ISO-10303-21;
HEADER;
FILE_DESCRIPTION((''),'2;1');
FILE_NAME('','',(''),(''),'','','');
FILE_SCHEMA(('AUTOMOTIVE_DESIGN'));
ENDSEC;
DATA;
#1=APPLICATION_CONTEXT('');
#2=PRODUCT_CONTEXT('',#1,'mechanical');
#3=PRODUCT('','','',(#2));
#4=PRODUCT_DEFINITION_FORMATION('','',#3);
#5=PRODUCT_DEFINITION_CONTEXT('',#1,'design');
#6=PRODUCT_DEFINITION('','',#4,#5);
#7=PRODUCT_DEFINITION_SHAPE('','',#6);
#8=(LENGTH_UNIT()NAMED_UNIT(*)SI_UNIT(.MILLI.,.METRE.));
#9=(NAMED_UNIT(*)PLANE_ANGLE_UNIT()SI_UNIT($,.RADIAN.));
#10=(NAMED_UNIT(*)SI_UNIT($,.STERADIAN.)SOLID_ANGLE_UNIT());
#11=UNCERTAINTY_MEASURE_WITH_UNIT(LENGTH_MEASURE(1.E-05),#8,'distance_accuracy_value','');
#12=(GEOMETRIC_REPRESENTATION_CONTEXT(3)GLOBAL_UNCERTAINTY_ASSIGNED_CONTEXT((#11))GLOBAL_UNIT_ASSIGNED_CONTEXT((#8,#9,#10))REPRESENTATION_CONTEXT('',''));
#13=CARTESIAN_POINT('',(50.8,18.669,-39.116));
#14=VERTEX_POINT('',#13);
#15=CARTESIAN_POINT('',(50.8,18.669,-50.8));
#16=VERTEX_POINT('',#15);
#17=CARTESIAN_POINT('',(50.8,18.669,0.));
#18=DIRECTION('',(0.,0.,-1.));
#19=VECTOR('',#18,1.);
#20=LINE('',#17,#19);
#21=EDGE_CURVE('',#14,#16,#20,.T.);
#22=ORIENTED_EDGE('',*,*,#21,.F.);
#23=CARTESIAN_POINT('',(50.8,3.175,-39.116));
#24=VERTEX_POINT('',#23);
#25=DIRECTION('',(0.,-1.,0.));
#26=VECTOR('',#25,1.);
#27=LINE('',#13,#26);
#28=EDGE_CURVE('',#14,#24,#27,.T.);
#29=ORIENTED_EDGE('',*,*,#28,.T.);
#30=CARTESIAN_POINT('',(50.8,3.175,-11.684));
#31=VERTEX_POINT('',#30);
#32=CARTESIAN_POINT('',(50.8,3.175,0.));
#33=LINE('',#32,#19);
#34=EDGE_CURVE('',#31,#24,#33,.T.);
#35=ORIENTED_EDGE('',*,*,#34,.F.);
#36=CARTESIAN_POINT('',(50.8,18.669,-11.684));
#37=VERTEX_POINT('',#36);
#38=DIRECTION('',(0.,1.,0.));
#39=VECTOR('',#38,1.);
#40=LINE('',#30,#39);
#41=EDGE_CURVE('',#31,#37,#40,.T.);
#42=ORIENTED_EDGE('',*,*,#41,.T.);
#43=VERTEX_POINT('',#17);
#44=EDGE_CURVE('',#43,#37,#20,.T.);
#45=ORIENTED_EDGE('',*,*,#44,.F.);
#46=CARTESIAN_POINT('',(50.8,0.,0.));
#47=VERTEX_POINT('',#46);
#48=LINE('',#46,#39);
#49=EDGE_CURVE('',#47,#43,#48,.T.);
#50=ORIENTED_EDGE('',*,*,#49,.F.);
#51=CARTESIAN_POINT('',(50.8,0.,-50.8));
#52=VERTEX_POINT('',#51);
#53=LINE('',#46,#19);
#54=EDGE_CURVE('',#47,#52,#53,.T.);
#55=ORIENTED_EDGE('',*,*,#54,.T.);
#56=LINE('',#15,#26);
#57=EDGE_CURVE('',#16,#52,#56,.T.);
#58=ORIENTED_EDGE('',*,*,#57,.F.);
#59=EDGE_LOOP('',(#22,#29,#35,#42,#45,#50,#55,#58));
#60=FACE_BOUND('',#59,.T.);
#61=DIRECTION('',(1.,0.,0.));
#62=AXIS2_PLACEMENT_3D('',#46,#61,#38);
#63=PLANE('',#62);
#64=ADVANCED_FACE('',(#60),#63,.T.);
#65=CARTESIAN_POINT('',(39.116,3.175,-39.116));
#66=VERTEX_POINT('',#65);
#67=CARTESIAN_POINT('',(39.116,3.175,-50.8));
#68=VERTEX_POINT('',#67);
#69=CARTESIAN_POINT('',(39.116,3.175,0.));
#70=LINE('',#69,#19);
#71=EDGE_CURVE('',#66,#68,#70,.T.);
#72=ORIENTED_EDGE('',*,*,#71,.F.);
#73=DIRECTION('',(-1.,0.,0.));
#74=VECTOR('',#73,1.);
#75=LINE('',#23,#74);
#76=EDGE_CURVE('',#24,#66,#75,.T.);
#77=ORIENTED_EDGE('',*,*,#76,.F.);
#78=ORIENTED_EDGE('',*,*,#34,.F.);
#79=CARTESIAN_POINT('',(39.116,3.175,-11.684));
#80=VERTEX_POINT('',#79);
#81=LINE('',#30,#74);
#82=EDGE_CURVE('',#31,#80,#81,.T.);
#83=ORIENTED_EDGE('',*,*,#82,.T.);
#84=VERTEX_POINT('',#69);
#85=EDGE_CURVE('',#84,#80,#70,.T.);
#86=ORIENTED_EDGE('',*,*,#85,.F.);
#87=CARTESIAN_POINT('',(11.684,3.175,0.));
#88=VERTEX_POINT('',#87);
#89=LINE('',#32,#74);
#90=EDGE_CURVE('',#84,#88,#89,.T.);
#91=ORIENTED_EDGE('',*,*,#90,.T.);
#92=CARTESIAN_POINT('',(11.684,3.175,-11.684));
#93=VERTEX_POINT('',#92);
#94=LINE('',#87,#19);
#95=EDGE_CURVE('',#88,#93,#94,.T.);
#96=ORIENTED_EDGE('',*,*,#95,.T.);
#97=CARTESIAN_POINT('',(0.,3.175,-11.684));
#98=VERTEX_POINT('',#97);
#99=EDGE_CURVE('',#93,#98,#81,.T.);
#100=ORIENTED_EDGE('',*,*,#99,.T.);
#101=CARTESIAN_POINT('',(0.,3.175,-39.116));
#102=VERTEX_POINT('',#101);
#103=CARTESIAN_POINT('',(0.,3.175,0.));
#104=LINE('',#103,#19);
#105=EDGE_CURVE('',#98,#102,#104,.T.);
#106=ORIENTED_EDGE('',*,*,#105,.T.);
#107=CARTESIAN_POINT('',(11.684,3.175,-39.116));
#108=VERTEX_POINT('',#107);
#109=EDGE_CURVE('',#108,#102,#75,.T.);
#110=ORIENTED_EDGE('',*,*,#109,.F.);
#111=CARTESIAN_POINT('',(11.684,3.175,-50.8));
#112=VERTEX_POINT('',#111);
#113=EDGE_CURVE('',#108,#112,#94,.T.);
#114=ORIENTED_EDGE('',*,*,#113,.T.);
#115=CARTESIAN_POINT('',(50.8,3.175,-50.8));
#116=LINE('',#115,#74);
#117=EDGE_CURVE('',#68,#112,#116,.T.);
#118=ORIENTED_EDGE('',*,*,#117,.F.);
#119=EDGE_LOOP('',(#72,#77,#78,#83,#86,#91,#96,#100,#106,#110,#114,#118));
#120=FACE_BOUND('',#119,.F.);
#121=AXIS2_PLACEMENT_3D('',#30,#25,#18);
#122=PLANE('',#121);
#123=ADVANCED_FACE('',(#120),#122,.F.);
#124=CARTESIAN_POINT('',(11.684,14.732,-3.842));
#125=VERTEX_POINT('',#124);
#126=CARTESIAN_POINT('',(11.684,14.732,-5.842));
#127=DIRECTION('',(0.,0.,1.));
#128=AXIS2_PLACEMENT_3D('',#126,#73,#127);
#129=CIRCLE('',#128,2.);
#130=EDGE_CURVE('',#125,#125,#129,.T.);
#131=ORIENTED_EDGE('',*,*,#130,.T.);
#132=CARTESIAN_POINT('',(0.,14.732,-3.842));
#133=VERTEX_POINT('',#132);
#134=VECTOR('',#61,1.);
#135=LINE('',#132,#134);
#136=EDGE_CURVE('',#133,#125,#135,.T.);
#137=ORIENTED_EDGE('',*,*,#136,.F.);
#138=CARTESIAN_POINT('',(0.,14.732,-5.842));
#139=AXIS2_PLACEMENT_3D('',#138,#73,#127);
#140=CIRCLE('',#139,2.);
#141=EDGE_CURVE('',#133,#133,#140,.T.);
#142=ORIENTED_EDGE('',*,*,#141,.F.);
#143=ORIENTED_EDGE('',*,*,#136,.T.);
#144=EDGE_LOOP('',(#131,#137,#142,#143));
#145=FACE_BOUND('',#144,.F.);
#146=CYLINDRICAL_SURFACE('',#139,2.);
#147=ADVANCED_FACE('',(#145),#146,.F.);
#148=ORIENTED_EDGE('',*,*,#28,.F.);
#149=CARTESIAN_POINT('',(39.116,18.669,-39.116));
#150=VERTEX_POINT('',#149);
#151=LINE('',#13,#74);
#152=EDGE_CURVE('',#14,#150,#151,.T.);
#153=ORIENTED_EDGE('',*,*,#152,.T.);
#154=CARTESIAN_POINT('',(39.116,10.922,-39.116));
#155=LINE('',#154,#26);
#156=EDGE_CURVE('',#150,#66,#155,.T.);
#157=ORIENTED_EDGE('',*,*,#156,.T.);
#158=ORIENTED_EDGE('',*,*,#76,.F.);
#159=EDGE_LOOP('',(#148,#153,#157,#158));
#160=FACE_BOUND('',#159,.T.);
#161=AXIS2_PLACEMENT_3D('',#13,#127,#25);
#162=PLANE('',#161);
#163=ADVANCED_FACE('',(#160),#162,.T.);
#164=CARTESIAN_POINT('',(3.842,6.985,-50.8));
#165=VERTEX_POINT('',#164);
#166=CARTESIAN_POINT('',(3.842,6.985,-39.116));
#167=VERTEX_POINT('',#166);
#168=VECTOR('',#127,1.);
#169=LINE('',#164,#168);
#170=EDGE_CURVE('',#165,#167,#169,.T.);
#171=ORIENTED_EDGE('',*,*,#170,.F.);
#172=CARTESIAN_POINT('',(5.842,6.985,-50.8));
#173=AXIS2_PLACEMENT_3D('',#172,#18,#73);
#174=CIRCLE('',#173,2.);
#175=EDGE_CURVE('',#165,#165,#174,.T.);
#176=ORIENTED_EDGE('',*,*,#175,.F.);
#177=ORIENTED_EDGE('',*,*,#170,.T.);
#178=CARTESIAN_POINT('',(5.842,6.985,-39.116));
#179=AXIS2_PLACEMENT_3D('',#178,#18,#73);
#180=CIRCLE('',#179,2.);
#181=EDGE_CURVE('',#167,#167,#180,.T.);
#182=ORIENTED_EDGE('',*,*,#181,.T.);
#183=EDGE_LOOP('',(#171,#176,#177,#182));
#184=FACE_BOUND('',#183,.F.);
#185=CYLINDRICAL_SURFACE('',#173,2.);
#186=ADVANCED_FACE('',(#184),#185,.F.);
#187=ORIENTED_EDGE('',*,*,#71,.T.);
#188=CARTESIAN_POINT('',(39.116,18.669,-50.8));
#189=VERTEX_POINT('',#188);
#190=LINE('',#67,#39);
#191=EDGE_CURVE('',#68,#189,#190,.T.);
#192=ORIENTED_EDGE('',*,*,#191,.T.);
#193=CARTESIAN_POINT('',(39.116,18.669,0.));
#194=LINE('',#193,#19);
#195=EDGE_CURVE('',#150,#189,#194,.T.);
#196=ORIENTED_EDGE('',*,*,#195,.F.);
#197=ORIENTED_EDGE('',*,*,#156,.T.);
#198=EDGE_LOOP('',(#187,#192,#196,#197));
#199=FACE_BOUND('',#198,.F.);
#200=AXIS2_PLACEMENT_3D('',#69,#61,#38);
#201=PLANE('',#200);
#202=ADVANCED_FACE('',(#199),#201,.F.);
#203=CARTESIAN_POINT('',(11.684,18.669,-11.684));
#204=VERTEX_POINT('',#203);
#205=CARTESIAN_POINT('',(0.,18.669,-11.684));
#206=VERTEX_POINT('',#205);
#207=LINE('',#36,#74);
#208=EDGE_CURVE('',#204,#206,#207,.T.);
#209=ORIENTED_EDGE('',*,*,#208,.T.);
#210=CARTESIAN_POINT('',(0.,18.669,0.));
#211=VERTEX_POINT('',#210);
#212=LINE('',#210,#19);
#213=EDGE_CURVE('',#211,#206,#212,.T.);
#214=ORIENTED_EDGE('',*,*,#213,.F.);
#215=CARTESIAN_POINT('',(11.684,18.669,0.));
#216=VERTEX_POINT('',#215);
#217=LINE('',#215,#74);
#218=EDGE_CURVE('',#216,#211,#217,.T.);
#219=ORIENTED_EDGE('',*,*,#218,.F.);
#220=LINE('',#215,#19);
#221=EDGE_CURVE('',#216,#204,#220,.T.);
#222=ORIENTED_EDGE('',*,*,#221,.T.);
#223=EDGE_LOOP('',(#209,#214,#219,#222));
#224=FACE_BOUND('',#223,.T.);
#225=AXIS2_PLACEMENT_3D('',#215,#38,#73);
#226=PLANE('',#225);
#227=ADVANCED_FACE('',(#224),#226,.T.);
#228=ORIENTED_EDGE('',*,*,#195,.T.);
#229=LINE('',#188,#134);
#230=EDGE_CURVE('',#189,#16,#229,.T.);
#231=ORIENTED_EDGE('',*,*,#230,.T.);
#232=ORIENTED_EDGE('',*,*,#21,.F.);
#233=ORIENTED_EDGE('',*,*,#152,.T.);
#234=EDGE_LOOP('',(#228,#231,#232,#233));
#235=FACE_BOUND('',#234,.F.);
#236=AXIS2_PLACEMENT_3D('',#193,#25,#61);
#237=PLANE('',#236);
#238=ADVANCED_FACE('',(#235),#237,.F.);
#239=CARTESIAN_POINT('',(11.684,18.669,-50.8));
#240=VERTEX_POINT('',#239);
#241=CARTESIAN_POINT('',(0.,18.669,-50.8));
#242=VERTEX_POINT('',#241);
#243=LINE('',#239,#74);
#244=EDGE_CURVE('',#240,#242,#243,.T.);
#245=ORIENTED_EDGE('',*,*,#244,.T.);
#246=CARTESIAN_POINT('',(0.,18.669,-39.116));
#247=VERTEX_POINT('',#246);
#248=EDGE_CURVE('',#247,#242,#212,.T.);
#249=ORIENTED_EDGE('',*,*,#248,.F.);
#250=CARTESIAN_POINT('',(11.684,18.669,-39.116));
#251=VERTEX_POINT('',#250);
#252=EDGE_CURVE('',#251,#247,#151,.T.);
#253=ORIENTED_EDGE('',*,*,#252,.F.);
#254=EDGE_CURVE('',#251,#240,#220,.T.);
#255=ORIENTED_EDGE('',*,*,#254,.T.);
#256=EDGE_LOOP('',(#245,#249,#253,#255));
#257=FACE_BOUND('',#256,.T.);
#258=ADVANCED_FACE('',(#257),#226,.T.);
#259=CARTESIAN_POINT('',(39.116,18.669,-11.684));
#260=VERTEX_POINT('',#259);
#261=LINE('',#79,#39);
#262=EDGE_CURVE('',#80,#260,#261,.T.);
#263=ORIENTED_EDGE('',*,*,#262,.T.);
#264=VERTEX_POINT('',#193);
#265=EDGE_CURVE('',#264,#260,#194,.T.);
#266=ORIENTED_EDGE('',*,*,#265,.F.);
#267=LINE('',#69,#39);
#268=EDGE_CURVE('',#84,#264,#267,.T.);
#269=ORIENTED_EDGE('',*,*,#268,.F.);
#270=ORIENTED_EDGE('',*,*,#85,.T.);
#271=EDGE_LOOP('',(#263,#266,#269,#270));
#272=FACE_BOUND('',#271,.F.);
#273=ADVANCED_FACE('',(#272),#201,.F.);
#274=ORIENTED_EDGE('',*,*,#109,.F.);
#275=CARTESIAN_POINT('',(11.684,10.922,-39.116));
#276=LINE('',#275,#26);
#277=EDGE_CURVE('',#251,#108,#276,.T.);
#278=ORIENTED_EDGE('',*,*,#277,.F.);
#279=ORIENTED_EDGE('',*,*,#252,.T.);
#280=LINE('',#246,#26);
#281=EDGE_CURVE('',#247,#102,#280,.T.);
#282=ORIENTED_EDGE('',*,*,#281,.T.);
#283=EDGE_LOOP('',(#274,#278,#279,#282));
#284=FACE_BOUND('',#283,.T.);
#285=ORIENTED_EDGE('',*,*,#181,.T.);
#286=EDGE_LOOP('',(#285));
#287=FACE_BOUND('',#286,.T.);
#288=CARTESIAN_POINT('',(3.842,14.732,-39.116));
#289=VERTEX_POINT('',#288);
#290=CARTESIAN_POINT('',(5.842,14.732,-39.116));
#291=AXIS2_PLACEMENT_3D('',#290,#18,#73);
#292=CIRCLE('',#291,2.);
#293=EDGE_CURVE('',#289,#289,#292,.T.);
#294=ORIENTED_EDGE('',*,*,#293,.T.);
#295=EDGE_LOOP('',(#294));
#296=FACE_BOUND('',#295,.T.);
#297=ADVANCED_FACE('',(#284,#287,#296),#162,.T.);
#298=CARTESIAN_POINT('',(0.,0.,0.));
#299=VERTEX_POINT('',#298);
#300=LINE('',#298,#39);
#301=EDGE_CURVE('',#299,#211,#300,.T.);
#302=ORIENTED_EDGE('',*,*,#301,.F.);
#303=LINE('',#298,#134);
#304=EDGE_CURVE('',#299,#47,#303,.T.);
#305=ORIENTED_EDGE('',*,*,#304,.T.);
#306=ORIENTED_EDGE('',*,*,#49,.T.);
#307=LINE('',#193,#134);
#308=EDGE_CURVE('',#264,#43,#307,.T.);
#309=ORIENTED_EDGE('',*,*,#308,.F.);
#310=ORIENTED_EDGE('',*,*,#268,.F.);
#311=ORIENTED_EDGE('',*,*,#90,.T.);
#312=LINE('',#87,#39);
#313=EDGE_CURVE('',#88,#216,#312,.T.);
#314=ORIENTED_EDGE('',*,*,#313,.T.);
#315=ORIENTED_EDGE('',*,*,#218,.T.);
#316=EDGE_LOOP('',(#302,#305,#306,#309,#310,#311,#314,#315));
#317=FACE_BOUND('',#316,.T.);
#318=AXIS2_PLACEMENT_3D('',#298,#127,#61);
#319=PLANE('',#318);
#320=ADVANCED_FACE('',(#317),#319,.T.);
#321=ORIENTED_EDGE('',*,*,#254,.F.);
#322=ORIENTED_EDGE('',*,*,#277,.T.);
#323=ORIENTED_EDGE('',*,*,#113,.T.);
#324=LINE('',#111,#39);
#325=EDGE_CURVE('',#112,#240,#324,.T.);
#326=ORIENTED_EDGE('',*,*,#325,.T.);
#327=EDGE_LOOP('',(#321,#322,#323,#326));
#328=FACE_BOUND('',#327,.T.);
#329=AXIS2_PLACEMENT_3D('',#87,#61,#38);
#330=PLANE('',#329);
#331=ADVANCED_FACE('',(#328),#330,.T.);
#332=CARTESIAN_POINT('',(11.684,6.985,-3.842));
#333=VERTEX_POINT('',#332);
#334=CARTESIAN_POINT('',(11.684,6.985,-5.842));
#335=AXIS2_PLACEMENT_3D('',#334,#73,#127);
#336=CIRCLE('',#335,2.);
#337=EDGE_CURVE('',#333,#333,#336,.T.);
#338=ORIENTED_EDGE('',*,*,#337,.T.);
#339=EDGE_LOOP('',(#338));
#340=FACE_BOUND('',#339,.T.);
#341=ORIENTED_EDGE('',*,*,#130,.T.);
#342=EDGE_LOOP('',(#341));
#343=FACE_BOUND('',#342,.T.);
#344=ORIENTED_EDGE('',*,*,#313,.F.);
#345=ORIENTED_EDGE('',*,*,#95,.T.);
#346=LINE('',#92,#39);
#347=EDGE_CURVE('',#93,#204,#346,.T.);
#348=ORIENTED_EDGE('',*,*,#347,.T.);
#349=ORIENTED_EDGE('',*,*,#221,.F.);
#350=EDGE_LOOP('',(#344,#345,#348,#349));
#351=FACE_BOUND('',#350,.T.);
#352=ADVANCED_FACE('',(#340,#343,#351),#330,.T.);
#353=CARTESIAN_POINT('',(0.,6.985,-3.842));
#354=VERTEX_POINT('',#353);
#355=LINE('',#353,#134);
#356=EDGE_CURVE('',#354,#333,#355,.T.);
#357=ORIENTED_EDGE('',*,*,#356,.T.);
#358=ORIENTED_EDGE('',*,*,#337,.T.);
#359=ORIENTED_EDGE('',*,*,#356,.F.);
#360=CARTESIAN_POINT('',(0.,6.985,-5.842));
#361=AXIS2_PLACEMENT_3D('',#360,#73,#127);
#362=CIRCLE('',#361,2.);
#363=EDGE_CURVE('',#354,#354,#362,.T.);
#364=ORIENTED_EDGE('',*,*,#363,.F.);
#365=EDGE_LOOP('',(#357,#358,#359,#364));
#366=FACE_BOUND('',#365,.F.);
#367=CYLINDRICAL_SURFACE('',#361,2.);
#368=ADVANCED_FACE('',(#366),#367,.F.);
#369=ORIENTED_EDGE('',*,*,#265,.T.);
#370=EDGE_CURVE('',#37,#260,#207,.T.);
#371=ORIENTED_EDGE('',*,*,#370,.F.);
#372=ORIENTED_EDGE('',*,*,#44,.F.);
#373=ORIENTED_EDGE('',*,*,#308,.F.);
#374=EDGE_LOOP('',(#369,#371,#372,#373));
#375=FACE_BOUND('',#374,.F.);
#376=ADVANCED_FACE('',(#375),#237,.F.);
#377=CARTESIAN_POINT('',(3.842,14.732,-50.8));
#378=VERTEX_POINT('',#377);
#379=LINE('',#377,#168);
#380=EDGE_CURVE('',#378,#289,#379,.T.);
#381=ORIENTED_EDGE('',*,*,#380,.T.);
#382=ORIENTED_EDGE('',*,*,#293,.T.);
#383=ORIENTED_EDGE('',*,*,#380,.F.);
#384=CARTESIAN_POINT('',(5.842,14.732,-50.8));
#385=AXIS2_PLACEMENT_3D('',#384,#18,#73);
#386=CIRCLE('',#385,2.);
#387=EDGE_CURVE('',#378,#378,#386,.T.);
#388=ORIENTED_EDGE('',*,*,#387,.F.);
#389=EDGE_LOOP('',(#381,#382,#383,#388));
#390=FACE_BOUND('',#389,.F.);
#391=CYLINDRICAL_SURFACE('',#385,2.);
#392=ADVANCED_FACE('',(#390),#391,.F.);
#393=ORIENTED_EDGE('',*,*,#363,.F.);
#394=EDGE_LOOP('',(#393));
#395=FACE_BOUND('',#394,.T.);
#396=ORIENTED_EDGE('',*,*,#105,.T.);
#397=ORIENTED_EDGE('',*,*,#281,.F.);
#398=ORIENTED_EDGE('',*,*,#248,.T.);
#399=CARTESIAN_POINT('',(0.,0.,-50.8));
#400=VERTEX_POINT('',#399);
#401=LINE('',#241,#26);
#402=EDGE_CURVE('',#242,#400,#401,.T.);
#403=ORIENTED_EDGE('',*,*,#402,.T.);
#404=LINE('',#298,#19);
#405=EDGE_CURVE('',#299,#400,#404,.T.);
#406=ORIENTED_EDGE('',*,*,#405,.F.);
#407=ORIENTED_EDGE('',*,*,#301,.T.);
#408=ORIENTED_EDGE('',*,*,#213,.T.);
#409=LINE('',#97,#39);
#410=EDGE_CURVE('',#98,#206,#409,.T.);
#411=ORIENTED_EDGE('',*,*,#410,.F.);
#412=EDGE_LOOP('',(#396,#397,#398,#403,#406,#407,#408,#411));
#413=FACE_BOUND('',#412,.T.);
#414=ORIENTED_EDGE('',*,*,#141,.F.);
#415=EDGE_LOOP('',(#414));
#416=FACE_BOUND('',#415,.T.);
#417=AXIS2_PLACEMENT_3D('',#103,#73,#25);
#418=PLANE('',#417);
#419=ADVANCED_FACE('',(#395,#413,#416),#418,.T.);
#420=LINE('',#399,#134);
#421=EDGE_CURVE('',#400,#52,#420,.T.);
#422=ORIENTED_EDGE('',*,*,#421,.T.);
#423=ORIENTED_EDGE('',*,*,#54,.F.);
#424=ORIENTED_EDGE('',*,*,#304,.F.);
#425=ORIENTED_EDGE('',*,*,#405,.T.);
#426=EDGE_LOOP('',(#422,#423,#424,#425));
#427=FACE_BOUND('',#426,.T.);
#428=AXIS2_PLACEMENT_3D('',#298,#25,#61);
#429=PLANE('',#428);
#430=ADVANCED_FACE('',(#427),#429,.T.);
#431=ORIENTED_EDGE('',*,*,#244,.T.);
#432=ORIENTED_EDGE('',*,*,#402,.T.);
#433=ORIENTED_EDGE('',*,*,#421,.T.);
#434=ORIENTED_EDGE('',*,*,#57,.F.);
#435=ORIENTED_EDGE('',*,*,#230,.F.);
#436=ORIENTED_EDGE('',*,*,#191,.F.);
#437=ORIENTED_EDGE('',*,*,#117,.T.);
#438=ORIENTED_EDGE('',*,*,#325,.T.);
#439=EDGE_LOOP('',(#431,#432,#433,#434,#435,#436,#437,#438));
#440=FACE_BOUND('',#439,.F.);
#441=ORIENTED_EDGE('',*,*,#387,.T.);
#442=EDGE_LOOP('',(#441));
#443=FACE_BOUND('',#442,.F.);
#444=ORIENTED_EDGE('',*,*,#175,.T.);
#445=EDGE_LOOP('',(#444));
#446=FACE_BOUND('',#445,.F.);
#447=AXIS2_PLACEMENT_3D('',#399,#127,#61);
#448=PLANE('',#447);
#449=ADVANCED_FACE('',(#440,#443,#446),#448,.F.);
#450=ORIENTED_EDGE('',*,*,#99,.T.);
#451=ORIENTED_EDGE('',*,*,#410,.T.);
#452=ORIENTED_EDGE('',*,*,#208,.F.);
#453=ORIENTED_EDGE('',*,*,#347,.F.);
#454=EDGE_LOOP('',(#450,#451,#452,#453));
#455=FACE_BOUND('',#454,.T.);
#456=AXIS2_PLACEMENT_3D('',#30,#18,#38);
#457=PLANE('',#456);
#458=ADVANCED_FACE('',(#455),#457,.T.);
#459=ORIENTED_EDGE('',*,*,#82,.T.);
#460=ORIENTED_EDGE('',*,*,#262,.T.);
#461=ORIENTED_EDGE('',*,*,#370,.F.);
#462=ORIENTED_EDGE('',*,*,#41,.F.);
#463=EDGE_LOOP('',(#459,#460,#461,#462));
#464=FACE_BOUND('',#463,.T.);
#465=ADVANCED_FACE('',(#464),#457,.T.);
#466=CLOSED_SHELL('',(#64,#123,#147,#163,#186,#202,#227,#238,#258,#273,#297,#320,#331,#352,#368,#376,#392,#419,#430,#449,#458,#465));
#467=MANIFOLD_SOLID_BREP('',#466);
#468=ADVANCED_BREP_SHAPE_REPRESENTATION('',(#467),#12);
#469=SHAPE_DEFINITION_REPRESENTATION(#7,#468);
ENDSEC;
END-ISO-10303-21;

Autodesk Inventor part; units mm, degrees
ref_plane "YZ Plane" through (0, 0, 0) normal (1, 0, 0) x (0, 1, 0)
ref_plane "XZ Plane" through (0, 0, 0) normal (0, 1, 0) x (-1, 0, 0)
ref_plane "XY Plane" through (0, 0, 0) normal (0, 0, 1) x (1, 0, 0)
sketch "Sketch1" plane through (0, 0, 0) normal (0, 0, 1) x (1, 0, 0)
  line L0 (0, 0) -> (50.8, 0)
  line L1 (50.8, 0) -> (50.8, 3.175)
  line L2 (50.8, 3.175) -> (0, 3.175)
  line L3 (0, 3.175) -> (0, 0)
  line L4 (0, 3.175) -> (11.684, 3.175)
  line L5 (11.684, 3.175) -> (11.684, 18.669)
  line L6 (11.684, 18.669) -> (0, 18.669)
  line L7 (0, 18.669) -> (0, 3.175)
  line L8 (50.8, 3.175) -> (39.116, 3.175)
  line L9 (39.116, 3.175) -> (39.116, 18.669)
  line L10 (39.116, 18.669) -> (50.8, 18.669)
  line L11 (50.8, 18.669) -> (50.8, 3.175)
  dimension "d0" = 50.8
  dimension "d1" = 3.175
  dimension "d2" = 11.684
  dimension "d3" = 15.494
  dimension "d4" = 11.684
  dimension "d5" = 15.494
extrude "Extrusion1" add sketch "Sketch1" against normal blind 50.8
sketch "Sketch2" plane through (50.8, 0, 0) normal (1, 0, 0) x (0, 0, -1)
  line L0 (0, 3.175) -> (0, 18.669) projected
  line L1 (0, 3.175) -> (11.684, 3.175)
  line L2 (11.684, 3.175) -> (11.684, 18.669)
  line L3 (11.684, 18.669) -> (0, 18.669)
  line L4 (0, 18.669) -> (0, 3.175)
  line L5 (0, 18.669) -> (50.8, 18.669) projected
  line L6 (0, 3.175) -> (50.8, 3.175) projected
  line L7 (50.8, 18.669) -> (39.116, 18.669)
  line L8 (39.116, 18.669) -> (39.116, 3.175)
  line L9 (39.116, 3.175) -> (50.8, 3.175)
  line L10 (50.8, 3.175) -> (50.8, 18.669)
  line L11 (11.684, 3.175) -> (39.116, 3.175)
  point P0 (0, 0)
  dimension "d8" = 11.684
  dimension "d9" = 15.494
  dimension "d10" = 11.684
extrude "Extrusion2" cut sketch "Sketch2" against normal blind 50.8 contours L2 L5 L8 L6
sketch "Sketch3" plane through (0, 0, 0) normal (-1, 0, 0) x (0, 0, 1)
  line L0 (0, 3.175) -> (-11.684, 3.175) projected
  circle A0 centre (-5.842, 6.985) radius 2
  line L1 (0, 3.175) -> (0, 18.669) projected
  circle A1 centre (-5.842, 14.732) radius 2
  point P0 (0, 0)
  dimension "d14" = 4
  dimension "d16" = 4
extrude "Extrusion3" cut sketch "Sketch3" against normal up to surface (11.684 mm away)
sketch "Sketch4" plane through (0, 0, -50.8) normal (0, 0, -1) x (-1, 0, 0)
  line L0 (-11.684, 3.175) -> (0, 3.175) projected
  circle A0 centre (-5.842, 6.985) radius 2
  line L1 (-11.684, 3.175) -> (-11.684, 18.669) projected
  line L2 (0, 18.669) -> (0, 3.175) projected
  circle A1 centre (-5.842, 14.732) radius 2
  point P0 (0, 0)
  dimension "d20" = 4
  dimension "d22" = 4
extrude "Extrusion4" cut sketch "Sketch4" against normal up to surface (11.684 mm away)
properties part number "Ruler square"
